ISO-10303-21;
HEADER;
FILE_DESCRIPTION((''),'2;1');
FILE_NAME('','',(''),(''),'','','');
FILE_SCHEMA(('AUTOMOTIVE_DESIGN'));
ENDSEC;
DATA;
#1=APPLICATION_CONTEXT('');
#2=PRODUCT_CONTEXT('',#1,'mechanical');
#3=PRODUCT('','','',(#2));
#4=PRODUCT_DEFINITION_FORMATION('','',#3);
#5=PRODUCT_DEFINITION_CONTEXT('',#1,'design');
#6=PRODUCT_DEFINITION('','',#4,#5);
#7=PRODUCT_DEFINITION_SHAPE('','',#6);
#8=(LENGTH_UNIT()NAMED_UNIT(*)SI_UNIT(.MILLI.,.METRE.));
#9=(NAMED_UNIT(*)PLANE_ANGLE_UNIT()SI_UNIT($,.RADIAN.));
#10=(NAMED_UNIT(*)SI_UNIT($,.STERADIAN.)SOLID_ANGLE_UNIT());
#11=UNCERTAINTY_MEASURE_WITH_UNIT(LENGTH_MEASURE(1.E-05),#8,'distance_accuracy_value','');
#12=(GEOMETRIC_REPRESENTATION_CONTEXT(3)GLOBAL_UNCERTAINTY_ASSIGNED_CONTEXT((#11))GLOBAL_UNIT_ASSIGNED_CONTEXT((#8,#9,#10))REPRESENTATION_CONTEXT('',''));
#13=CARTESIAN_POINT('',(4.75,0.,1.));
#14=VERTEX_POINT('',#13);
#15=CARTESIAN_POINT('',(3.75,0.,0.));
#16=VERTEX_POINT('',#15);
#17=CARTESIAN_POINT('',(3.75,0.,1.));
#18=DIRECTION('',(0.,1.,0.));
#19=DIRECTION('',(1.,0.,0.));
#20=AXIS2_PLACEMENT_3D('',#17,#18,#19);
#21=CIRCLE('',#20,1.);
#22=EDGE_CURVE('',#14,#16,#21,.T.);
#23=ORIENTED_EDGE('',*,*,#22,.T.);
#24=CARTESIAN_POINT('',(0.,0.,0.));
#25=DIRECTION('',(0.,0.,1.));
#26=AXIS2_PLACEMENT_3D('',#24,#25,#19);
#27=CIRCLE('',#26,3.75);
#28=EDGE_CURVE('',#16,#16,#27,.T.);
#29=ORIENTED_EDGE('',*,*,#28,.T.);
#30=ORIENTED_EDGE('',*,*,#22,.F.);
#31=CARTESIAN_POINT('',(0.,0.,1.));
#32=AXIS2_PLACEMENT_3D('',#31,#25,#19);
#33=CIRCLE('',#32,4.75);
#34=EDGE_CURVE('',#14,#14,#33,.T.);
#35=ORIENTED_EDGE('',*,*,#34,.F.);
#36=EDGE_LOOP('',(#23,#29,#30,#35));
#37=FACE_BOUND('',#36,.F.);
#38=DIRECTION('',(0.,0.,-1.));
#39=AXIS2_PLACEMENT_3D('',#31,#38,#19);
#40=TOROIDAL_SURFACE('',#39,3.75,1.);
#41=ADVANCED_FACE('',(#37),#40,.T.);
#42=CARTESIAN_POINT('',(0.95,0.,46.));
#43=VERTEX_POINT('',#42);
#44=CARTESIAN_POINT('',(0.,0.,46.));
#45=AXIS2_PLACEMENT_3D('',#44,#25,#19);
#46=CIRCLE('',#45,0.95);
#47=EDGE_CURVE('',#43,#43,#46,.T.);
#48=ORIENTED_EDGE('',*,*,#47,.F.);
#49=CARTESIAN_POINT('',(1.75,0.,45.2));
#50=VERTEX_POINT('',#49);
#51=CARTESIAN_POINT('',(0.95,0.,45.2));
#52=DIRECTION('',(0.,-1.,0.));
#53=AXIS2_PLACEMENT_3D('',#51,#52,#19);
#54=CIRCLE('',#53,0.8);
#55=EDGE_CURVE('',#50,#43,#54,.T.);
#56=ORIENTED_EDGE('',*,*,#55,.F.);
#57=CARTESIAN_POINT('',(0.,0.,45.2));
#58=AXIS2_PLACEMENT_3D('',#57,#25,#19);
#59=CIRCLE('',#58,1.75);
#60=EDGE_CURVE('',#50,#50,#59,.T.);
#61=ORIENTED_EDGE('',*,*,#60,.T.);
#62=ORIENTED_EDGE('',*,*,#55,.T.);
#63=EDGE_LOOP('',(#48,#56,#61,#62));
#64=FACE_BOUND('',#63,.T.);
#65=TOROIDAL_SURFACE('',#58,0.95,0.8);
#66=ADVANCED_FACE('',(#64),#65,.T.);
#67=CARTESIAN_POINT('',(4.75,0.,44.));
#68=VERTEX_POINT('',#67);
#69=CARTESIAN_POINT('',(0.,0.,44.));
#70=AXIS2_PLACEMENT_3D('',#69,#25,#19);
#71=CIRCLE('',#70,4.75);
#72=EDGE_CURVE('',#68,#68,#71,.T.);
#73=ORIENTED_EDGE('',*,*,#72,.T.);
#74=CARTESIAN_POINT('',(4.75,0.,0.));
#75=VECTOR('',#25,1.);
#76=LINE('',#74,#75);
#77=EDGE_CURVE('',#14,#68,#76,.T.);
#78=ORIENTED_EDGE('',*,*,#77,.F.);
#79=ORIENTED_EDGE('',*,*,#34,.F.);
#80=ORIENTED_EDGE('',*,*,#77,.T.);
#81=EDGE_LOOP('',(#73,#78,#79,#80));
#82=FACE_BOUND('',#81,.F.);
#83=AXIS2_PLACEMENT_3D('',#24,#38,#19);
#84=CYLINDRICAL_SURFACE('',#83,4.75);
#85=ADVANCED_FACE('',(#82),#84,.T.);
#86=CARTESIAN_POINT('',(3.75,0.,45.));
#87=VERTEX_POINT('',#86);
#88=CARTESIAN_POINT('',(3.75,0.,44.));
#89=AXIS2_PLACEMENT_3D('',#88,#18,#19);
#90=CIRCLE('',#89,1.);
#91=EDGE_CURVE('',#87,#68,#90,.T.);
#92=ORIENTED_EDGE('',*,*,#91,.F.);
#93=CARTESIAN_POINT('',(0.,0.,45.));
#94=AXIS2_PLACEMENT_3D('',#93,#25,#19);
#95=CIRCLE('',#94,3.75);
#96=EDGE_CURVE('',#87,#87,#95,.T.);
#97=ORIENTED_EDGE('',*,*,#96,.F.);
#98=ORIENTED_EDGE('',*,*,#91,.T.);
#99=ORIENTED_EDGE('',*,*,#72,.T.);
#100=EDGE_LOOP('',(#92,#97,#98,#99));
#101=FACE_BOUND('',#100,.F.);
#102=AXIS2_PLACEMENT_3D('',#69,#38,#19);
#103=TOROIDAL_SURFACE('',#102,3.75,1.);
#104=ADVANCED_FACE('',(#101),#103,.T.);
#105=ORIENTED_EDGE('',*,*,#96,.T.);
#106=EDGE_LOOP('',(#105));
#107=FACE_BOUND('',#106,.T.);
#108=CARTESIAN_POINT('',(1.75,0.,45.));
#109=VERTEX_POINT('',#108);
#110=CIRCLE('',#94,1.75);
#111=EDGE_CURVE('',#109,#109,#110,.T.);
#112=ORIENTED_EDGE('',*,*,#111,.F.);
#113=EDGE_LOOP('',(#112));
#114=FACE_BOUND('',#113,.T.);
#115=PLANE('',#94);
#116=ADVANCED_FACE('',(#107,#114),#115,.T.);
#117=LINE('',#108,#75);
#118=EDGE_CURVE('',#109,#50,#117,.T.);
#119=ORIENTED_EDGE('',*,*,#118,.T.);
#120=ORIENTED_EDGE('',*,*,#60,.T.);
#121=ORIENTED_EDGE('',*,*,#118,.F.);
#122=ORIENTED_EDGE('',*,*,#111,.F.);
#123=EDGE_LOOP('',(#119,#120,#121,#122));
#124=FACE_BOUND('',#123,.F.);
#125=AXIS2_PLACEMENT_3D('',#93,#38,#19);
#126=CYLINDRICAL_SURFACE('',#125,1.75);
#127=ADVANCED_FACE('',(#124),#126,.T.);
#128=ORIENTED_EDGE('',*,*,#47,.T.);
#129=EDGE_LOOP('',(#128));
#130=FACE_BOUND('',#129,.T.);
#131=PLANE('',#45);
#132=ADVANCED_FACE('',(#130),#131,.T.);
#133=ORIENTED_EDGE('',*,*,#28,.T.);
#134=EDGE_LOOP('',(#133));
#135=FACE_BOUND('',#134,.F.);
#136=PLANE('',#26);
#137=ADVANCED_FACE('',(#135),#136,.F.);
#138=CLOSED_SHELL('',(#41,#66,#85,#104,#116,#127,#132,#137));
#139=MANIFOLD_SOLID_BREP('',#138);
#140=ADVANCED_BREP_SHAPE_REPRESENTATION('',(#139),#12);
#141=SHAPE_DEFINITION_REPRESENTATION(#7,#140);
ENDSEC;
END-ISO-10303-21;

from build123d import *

# Parameters (mm, degrees)
F0_R     = 4.75
F1_DEPTH = 45
F2_R     = 1.75
F3_DEPTH = 1
F4_R     = 0.8
F5_R     = 1


with BuildPart() as f1:
    # F0 (on Top) → F1 (new body)
    with BuildSketch(Plane.XY):
        Circle(F0_R)
    extrude(amount=F1_DEPTH)

    # F2 (on face) → F3 (join)
    with BuildSketch(Plane.XY.offset(45)):
        Circle(F2_R)
    extrude(amount=F3_DEPTH)

    # F4
    f4_edges = [f1.edges().sort_by_distance(p)[0] for p in [
        (-1.75, 0, 46),
    ]]
    fillet(f4_edges, radius=F4_R)

    # F5
    f5_edges = [f1.edges().sort_by_distance(p)[0] for p in [
        (-4.75, 0, 45),
        (-4.75, 0, 0),
    ]]
    fillet(f5_edges, radius=F5_R)


solid = f1.part
